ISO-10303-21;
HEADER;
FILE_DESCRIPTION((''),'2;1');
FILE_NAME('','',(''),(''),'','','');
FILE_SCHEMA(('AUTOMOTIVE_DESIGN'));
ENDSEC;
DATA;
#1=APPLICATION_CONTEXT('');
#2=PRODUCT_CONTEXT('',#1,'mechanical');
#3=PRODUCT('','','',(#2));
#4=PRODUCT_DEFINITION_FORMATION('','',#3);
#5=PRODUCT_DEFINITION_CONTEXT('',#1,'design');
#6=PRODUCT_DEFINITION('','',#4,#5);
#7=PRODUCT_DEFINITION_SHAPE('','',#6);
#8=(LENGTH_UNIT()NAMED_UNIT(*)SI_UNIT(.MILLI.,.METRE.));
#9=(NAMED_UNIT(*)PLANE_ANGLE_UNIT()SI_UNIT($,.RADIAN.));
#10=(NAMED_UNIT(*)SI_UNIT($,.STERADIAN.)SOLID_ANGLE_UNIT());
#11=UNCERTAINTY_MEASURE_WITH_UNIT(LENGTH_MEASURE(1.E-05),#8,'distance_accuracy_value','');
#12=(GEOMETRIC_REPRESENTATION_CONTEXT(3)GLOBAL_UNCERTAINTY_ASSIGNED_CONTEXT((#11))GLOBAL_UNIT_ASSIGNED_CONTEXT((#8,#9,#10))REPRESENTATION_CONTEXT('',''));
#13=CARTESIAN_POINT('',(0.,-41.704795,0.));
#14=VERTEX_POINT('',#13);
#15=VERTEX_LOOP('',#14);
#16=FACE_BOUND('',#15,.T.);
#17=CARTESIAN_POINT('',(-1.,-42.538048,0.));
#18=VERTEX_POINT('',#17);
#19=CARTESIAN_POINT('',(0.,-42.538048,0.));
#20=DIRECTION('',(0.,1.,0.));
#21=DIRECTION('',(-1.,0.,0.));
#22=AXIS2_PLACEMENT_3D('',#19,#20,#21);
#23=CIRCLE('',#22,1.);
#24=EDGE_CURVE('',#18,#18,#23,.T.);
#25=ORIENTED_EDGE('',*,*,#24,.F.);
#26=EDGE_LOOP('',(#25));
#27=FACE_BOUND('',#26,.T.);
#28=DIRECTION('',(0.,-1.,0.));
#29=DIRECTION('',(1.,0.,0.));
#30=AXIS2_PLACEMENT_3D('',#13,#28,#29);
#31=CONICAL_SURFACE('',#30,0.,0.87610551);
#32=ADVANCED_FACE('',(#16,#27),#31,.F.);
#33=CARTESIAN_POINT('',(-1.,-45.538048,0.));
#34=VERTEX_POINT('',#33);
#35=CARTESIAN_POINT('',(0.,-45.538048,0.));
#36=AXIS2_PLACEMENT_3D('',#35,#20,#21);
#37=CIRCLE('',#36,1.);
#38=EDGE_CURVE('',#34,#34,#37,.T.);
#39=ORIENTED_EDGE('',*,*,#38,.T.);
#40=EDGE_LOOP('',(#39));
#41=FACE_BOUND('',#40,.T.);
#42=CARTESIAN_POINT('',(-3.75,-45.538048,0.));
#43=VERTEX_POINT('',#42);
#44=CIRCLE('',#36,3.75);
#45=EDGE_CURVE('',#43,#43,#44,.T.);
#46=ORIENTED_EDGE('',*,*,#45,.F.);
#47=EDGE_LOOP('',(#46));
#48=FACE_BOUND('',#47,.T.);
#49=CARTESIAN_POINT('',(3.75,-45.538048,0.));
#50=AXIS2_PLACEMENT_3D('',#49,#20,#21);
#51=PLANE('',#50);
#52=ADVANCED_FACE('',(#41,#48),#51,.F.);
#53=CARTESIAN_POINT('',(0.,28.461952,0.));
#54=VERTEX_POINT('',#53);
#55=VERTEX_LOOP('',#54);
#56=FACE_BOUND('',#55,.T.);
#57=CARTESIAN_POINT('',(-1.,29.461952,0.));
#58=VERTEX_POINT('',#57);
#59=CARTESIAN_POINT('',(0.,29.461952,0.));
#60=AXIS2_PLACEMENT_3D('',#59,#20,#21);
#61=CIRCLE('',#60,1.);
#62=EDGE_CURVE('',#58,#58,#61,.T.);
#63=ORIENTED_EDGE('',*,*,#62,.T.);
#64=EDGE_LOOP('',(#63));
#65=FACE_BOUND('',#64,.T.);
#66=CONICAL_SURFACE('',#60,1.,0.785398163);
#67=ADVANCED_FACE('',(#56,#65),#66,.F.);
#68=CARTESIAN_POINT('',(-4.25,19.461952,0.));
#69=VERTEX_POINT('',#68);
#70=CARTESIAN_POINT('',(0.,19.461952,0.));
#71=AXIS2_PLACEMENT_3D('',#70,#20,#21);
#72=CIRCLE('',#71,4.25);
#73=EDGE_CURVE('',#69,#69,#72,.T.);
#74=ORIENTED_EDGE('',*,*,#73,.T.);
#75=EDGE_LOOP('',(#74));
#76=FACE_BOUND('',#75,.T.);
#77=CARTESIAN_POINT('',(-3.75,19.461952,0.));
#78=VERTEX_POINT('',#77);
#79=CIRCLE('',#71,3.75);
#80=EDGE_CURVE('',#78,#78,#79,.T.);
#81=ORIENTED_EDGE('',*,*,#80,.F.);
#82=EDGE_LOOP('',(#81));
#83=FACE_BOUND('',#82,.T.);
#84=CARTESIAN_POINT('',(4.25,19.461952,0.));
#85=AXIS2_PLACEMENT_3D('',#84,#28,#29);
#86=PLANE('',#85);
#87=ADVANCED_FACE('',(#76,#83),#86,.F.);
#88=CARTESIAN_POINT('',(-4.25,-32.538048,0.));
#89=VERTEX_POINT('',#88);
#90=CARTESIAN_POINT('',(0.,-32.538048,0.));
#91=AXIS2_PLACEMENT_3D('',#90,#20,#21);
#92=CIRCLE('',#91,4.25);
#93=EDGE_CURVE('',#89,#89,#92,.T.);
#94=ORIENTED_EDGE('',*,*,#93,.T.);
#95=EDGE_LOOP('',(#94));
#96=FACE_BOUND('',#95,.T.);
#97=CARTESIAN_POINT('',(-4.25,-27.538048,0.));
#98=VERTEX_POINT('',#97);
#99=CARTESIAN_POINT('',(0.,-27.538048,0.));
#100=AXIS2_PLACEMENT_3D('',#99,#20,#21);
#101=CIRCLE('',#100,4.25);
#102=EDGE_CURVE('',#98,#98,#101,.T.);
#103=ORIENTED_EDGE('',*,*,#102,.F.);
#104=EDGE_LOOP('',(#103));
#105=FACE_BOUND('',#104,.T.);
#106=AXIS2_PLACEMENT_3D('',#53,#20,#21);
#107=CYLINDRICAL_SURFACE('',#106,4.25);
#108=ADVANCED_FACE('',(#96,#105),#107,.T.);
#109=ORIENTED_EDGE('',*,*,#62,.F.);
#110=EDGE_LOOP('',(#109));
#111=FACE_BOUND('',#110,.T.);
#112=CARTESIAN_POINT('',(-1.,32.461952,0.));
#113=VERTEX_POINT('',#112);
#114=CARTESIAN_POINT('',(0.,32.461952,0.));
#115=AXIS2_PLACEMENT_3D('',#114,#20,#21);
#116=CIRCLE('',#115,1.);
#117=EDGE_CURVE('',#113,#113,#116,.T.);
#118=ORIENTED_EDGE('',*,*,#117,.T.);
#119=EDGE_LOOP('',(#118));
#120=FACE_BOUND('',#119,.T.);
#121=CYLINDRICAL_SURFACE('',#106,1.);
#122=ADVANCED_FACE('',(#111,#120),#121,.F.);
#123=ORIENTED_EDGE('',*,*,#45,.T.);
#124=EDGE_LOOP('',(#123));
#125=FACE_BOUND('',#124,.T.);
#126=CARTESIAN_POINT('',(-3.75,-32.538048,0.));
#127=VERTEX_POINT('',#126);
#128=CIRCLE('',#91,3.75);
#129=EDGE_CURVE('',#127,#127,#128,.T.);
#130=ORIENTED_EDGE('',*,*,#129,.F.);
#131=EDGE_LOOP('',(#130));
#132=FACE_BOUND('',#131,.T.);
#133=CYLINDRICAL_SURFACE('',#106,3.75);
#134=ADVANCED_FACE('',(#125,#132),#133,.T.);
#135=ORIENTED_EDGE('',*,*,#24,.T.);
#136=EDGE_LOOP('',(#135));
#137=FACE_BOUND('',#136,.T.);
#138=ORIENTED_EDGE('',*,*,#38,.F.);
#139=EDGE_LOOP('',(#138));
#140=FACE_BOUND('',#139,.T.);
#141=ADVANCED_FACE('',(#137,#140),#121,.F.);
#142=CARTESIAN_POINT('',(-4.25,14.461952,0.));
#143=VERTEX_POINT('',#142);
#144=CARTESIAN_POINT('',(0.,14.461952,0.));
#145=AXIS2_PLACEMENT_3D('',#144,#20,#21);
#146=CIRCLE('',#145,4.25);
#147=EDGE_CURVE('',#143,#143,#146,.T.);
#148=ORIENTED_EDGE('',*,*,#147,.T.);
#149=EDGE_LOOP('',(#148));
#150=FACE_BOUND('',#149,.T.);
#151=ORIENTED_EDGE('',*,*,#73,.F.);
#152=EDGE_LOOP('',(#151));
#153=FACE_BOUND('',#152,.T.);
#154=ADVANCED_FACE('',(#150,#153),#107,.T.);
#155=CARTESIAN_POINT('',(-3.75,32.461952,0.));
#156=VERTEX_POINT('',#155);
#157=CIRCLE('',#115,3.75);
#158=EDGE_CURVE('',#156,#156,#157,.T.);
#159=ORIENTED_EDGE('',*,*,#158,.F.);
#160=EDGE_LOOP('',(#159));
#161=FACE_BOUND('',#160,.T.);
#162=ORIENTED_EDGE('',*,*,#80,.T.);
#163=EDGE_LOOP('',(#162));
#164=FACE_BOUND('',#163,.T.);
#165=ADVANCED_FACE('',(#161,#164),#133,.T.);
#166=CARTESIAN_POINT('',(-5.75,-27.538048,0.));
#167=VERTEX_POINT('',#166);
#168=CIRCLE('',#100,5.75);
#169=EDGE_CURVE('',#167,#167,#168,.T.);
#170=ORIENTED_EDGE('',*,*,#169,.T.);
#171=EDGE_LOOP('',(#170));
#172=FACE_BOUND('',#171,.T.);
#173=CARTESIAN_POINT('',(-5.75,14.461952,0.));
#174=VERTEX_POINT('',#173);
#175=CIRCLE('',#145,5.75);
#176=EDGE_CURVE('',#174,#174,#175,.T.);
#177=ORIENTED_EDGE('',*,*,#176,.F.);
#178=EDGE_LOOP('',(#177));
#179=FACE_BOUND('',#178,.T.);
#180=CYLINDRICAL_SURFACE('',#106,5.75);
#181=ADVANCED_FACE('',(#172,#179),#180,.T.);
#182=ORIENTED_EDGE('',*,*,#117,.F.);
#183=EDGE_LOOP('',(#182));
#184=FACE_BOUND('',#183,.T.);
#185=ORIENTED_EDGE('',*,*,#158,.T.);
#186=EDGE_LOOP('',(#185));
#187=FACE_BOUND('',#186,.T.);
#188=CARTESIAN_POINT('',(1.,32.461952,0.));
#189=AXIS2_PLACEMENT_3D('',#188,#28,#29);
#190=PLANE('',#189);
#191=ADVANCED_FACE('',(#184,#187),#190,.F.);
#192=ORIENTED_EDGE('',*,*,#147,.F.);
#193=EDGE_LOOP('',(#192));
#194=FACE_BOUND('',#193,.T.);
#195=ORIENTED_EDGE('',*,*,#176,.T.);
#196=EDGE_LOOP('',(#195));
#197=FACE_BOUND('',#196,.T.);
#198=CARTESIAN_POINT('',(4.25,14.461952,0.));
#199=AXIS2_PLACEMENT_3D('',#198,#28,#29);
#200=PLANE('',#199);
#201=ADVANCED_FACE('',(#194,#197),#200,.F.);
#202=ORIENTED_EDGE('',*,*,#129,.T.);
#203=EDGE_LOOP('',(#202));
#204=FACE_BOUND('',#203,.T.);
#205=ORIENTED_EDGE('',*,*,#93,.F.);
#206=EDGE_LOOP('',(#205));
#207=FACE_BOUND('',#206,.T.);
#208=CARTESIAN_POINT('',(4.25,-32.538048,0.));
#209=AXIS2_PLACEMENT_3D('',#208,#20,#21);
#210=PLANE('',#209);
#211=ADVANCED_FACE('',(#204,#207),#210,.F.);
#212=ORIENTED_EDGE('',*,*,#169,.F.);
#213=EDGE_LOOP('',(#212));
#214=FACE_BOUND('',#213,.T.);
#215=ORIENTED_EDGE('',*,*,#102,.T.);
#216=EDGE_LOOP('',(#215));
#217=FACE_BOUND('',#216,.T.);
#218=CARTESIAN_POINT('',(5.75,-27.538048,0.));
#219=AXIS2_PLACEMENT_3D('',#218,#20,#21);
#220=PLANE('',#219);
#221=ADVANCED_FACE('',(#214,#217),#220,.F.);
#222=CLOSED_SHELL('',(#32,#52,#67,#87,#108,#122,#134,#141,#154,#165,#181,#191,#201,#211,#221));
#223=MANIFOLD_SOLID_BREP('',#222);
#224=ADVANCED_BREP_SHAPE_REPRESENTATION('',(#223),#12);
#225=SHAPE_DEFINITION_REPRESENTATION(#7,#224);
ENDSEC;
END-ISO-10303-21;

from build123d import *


with BuildPart() as part:
    # Sketch1 → Revolve1 (revolve)
    with BuildSketch(Plane.XY):
        Polygon((1, 32.461952483), (3.75, 32.461952483), (3.75, 19.461952483), (4.25, 19.461952483), (4.25, 14.461952483), (5.75, 14.461952483), (5.75, -27.538047517), (4.25, -27.538047517), (4.25, -32.538047517), (3.75, -32.538047517), (3.75, -45.538047517), (1, -45.538047517), (1, -42.538047517), (0, -41.704794599), (0, 28.461952483), (1, 29.461952483), align=None)
    revolve(axis=Axis((0, 28.461952483, 0), (0, -1, 0)))


solid = part.part
